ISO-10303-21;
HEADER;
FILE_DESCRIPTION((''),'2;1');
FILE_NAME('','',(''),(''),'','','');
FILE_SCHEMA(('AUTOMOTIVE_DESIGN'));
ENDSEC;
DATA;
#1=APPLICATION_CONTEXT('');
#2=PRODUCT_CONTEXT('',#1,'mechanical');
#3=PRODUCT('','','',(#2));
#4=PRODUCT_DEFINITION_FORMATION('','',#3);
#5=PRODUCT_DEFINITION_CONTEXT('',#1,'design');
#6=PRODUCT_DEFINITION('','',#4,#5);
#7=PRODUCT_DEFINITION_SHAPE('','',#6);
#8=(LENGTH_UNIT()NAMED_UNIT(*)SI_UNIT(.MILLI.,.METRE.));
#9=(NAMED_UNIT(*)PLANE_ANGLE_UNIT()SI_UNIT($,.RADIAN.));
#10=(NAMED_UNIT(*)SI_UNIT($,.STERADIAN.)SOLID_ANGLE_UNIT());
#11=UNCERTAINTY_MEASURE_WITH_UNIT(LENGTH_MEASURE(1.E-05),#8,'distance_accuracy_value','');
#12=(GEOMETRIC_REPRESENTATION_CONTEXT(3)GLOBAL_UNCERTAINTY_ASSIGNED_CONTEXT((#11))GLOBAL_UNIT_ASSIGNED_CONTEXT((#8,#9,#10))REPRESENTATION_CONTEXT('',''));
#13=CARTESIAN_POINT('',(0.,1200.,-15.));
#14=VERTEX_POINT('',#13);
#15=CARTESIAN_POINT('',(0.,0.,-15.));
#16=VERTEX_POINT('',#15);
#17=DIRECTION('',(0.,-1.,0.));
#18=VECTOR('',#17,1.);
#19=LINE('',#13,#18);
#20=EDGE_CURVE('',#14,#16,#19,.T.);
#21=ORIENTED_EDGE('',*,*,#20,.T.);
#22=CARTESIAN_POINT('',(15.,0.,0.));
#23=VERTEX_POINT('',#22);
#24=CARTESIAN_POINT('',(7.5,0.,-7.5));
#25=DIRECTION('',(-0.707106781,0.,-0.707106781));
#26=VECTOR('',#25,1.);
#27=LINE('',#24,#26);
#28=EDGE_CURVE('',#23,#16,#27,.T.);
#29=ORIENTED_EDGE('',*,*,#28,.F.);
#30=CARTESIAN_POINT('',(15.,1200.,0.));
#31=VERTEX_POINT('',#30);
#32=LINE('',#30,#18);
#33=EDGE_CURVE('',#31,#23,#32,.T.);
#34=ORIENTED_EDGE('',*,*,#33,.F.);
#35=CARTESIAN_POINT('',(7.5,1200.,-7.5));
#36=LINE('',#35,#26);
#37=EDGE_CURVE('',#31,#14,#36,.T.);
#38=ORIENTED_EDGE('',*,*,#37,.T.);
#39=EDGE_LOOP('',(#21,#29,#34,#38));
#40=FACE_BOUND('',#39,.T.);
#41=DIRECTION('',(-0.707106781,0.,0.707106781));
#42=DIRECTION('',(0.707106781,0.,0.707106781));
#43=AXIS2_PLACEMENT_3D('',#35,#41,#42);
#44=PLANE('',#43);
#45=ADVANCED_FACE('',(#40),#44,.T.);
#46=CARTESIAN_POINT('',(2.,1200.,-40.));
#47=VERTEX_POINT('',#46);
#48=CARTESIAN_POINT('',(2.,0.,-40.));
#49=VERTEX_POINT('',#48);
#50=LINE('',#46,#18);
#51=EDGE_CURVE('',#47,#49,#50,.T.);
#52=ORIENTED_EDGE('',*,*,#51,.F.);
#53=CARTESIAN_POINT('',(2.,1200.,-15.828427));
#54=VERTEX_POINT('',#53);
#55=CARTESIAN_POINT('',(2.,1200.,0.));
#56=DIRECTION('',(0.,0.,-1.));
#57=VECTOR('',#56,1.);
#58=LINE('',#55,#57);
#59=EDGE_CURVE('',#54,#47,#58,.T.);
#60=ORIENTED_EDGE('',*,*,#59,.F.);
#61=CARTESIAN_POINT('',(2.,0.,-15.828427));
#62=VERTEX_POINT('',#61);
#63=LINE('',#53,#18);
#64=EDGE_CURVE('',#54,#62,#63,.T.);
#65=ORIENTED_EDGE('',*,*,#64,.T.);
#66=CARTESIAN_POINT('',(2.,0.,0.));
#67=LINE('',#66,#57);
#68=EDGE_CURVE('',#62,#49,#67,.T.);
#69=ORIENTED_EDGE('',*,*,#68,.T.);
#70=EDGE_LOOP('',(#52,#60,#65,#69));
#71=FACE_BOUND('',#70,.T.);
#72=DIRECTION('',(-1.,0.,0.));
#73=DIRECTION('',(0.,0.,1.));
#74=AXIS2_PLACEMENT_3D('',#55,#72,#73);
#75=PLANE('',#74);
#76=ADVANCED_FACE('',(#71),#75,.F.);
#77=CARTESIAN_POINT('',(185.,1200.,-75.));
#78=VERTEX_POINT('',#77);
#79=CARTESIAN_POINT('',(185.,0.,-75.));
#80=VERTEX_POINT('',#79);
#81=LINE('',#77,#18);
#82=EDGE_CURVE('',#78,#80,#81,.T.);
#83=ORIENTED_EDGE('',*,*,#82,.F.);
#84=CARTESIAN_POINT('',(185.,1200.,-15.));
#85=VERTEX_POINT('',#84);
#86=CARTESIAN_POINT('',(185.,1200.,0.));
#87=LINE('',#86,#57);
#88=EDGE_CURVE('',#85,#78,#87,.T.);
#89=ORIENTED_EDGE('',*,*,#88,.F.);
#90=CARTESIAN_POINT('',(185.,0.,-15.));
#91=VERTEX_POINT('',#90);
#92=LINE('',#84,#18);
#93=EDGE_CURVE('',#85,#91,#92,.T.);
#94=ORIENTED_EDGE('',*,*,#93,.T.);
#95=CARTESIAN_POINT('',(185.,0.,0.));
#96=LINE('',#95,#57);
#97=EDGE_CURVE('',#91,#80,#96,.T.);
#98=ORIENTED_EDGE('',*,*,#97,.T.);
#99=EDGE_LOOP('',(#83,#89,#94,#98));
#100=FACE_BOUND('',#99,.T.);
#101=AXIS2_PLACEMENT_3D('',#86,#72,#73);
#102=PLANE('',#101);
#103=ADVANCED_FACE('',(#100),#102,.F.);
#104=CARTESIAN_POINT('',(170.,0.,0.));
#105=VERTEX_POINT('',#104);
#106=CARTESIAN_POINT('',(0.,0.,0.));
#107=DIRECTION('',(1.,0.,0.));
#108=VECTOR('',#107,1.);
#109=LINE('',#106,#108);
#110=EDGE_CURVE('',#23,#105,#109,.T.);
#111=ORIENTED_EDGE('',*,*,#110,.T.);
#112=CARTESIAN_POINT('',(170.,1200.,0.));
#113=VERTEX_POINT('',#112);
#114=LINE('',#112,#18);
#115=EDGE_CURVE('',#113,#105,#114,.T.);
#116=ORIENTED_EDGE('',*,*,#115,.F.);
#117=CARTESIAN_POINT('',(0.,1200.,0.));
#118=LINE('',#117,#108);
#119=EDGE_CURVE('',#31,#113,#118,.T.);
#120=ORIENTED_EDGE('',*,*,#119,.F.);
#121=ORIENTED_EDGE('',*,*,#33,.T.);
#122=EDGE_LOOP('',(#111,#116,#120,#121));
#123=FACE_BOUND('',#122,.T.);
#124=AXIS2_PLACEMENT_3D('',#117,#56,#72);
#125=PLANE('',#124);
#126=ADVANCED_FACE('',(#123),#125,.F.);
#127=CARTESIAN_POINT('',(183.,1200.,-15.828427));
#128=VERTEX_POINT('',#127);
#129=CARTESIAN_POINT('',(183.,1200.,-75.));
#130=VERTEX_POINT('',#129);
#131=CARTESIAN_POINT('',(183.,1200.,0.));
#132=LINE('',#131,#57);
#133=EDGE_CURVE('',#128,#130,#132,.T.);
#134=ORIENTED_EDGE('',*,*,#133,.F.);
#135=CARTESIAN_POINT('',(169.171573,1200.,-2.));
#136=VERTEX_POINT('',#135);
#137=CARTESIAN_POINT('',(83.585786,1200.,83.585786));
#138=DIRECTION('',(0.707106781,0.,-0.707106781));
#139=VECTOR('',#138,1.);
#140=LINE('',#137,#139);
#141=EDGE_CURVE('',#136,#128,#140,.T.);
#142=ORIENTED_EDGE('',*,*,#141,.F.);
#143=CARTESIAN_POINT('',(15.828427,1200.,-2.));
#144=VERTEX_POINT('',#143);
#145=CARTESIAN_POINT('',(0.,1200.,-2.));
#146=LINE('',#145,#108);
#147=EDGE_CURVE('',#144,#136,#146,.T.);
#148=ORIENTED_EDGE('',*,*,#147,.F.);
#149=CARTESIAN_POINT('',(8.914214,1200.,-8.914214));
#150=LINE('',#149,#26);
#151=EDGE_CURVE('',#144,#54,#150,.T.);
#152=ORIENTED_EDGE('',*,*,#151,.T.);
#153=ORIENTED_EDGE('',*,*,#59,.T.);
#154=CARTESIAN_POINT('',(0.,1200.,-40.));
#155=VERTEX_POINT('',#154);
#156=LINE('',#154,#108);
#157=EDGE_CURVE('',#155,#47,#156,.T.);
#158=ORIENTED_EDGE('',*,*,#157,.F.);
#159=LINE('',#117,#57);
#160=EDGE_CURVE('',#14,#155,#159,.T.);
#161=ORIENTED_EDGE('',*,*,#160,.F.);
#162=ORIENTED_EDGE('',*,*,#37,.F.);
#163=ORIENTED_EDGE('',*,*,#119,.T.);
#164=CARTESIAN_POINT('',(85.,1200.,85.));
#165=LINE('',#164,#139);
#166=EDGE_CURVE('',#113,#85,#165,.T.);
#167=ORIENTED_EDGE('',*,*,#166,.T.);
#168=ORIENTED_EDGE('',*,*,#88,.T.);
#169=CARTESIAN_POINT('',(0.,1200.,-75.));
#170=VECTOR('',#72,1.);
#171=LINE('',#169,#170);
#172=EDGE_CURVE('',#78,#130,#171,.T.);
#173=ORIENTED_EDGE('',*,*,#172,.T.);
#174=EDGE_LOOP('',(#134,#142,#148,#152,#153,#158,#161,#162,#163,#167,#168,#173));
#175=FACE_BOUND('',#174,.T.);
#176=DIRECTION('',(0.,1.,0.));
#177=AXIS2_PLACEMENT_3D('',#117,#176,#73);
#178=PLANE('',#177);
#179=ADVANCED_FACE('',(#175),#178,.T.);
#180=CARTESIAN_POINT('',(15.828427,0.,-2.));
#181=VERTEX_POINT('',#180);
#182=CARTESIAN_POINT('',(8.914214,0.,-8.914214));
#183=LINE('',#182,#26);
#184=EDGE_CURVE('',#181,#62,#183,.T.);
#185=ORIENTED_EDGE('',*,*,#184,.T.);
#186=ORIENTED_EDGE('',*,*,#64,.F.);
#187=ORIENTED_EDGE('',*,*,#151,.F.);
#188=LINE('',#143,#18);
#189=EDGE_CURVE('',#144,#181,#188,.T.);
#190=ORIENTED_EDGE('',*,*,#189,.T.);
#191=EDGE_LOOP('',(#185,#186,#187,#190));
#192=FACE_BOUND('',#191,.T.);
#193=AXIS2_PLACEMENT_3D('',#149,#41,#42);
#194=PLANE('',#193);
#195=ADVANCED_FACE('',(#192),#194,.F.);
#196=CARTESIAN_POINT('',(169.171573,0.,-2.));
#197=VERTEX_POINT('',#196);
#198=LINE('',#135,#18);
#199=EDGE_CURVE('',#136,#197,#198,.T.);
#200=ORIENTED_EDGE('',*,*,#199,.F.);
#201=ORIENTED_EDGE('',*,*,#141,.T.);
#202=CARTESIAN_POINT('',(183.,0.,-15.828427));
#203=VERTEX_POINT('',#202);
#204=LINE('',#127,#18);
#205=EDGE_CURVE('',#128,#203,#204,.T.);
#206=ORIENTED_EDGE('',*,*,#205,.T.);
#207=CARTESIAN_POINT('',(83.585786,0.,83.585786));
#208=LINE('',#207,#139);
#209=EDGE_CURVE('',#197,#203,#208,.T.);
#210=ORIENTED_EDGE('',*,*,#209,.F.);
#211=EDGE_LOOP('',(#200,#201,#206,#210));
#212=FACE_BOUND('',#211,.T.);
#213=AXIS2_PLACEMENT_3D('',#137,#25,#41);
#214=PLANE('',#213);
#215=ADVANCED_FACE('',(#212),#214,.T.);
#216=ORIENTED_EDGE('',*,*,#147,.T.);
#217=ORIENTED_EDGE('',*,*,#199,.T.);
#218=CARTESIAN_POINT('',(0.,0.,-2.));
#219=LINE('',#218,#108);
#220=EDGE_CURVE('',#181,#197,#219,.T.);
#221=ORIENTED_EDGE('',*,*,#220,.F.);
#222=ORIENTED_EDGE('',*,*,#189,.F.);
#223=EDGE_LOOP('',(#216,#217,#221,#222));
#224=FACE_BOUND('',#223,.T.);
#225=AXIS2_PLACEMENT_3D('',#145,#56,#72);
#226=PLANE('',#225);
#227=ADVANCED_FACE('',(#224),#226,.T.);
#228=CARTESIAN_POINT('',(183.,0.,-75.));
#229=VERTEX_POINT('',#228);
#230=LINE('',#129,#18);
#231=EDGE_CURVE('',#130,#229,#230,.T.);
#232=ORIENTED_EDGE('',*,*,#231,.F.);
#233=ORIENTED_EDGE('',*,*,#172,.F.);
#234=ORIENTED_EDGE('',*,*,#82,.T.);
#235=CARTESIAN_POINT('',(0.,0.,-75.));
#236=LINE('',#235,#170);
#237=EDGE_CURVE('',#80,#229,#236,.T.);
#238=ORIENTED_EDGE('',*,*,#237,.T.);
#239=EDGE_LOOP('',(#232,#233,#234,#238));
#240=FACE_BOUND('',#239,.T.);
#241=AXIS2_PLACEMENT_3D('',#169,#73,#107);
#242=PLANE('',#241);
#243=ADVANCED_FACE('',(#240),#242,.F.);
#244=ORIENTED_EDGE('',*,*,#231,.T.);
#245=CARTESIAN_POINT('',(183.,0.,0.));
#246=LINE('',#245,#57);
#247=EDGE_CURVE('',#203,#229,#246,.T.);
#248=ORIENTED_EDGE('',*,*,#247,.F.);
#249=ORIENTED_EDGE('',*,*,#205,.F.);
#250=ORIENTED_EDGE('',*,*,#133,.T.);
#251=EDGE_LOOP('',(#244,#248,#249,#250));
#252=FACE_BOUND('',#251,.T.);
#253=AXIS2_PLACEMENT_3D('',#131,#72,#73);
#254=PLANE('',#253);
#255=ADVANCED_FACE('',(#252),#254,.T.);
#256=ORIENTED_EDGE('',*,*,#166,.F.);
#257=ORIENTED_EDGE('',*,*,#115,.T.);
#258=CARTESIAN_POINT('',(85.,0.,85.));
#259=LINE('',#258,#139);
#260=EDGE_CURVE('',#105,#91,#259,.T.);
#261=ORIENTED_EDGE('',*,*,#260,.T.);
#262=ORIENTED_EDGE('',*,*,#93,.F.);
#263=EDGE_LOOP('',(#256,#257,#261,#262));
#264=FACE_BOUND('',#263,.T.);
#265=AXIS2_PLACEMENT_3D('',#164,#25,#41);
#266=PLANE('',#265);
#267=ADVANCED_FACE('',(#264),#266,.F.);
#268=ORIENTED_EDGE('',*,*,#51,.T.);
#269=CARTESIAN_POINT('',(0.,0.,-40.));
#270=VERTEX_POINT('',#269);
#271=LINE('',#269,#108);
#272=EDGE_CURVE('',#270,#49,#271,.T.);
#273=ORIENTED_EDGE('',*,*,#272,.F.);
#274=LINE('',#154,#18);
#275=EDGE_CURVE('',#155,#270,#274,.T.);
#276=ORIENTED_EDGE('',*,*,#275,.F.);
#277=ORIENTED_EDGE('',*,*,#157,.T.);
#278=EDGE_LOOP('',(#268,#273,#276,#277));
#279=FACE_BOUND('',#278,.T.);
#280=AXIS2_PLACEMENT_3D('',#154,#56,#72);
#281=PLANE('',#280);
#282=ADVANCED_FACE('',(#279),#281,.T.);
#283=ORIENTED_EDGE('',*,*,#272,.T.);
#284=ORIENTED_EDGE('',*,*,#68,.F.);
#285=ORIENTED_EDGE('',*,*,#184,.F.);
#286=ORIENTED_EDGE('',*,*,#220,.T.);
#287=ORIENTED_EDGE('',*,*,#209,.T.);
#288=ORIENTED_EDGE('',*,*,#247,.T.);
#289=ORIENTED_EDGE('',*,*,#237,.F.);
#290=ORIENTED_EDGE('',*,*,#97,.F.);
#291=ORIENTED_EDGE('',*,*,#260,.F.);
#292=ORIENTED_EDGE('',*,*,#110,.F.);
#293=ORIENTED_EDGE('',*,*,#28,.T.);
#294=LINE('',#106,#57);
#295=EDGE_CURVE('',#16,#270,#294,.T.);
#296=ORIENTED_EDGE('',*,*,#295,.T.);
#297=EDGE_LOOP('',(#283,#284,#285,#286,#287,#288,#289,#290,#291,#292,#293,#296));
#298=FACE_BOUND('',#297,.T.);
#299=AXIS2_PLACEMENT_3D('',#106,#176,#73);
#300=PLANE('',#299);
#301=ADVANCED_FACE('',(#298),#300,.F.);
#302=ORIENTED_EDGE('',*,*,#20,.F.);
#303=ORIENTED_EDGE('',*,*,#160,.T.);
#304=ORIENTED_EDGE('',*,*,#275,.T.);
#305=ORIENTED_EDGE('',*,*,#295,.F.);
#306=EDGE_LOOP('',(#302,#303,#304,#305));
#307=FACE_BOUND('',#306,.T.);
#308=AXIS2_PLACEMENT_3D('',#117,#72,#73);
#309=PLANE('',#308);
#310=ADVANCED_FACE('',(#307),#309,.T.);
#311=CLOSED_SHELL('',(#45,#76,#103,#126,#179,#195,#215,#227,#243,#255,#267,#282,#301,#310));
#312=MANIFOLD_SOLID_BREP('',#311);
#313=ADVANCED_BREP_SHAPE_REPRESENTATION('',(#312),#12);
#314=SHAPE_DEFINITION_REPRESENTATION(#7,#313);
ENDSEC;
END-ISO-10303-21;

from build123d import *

# Parameters (mm, degrees)
BOSS_EXTRUDE1_DEPTH = 1200


with BuildPart() as part:
    # Sketch1 → Boss-Extrude1 (new body)
    with BuildSketch(Plane(origin=(0, 0, 0), x_dir=(1, 0, 0), z_dir=(0, 1, 0))):
        Polygon((15.828427125, 2), (2, 15.828427125), (2, 40), (0, 40), (0, 15), (15, 0), (170, 0), (185, 15), (185, 75), (183, 75), (183, 15.828427125), (169.171572875, 2), align=None)
    extrude(amount=BOSS_EXTRUDE1_DEPTH)


solid = part.part
